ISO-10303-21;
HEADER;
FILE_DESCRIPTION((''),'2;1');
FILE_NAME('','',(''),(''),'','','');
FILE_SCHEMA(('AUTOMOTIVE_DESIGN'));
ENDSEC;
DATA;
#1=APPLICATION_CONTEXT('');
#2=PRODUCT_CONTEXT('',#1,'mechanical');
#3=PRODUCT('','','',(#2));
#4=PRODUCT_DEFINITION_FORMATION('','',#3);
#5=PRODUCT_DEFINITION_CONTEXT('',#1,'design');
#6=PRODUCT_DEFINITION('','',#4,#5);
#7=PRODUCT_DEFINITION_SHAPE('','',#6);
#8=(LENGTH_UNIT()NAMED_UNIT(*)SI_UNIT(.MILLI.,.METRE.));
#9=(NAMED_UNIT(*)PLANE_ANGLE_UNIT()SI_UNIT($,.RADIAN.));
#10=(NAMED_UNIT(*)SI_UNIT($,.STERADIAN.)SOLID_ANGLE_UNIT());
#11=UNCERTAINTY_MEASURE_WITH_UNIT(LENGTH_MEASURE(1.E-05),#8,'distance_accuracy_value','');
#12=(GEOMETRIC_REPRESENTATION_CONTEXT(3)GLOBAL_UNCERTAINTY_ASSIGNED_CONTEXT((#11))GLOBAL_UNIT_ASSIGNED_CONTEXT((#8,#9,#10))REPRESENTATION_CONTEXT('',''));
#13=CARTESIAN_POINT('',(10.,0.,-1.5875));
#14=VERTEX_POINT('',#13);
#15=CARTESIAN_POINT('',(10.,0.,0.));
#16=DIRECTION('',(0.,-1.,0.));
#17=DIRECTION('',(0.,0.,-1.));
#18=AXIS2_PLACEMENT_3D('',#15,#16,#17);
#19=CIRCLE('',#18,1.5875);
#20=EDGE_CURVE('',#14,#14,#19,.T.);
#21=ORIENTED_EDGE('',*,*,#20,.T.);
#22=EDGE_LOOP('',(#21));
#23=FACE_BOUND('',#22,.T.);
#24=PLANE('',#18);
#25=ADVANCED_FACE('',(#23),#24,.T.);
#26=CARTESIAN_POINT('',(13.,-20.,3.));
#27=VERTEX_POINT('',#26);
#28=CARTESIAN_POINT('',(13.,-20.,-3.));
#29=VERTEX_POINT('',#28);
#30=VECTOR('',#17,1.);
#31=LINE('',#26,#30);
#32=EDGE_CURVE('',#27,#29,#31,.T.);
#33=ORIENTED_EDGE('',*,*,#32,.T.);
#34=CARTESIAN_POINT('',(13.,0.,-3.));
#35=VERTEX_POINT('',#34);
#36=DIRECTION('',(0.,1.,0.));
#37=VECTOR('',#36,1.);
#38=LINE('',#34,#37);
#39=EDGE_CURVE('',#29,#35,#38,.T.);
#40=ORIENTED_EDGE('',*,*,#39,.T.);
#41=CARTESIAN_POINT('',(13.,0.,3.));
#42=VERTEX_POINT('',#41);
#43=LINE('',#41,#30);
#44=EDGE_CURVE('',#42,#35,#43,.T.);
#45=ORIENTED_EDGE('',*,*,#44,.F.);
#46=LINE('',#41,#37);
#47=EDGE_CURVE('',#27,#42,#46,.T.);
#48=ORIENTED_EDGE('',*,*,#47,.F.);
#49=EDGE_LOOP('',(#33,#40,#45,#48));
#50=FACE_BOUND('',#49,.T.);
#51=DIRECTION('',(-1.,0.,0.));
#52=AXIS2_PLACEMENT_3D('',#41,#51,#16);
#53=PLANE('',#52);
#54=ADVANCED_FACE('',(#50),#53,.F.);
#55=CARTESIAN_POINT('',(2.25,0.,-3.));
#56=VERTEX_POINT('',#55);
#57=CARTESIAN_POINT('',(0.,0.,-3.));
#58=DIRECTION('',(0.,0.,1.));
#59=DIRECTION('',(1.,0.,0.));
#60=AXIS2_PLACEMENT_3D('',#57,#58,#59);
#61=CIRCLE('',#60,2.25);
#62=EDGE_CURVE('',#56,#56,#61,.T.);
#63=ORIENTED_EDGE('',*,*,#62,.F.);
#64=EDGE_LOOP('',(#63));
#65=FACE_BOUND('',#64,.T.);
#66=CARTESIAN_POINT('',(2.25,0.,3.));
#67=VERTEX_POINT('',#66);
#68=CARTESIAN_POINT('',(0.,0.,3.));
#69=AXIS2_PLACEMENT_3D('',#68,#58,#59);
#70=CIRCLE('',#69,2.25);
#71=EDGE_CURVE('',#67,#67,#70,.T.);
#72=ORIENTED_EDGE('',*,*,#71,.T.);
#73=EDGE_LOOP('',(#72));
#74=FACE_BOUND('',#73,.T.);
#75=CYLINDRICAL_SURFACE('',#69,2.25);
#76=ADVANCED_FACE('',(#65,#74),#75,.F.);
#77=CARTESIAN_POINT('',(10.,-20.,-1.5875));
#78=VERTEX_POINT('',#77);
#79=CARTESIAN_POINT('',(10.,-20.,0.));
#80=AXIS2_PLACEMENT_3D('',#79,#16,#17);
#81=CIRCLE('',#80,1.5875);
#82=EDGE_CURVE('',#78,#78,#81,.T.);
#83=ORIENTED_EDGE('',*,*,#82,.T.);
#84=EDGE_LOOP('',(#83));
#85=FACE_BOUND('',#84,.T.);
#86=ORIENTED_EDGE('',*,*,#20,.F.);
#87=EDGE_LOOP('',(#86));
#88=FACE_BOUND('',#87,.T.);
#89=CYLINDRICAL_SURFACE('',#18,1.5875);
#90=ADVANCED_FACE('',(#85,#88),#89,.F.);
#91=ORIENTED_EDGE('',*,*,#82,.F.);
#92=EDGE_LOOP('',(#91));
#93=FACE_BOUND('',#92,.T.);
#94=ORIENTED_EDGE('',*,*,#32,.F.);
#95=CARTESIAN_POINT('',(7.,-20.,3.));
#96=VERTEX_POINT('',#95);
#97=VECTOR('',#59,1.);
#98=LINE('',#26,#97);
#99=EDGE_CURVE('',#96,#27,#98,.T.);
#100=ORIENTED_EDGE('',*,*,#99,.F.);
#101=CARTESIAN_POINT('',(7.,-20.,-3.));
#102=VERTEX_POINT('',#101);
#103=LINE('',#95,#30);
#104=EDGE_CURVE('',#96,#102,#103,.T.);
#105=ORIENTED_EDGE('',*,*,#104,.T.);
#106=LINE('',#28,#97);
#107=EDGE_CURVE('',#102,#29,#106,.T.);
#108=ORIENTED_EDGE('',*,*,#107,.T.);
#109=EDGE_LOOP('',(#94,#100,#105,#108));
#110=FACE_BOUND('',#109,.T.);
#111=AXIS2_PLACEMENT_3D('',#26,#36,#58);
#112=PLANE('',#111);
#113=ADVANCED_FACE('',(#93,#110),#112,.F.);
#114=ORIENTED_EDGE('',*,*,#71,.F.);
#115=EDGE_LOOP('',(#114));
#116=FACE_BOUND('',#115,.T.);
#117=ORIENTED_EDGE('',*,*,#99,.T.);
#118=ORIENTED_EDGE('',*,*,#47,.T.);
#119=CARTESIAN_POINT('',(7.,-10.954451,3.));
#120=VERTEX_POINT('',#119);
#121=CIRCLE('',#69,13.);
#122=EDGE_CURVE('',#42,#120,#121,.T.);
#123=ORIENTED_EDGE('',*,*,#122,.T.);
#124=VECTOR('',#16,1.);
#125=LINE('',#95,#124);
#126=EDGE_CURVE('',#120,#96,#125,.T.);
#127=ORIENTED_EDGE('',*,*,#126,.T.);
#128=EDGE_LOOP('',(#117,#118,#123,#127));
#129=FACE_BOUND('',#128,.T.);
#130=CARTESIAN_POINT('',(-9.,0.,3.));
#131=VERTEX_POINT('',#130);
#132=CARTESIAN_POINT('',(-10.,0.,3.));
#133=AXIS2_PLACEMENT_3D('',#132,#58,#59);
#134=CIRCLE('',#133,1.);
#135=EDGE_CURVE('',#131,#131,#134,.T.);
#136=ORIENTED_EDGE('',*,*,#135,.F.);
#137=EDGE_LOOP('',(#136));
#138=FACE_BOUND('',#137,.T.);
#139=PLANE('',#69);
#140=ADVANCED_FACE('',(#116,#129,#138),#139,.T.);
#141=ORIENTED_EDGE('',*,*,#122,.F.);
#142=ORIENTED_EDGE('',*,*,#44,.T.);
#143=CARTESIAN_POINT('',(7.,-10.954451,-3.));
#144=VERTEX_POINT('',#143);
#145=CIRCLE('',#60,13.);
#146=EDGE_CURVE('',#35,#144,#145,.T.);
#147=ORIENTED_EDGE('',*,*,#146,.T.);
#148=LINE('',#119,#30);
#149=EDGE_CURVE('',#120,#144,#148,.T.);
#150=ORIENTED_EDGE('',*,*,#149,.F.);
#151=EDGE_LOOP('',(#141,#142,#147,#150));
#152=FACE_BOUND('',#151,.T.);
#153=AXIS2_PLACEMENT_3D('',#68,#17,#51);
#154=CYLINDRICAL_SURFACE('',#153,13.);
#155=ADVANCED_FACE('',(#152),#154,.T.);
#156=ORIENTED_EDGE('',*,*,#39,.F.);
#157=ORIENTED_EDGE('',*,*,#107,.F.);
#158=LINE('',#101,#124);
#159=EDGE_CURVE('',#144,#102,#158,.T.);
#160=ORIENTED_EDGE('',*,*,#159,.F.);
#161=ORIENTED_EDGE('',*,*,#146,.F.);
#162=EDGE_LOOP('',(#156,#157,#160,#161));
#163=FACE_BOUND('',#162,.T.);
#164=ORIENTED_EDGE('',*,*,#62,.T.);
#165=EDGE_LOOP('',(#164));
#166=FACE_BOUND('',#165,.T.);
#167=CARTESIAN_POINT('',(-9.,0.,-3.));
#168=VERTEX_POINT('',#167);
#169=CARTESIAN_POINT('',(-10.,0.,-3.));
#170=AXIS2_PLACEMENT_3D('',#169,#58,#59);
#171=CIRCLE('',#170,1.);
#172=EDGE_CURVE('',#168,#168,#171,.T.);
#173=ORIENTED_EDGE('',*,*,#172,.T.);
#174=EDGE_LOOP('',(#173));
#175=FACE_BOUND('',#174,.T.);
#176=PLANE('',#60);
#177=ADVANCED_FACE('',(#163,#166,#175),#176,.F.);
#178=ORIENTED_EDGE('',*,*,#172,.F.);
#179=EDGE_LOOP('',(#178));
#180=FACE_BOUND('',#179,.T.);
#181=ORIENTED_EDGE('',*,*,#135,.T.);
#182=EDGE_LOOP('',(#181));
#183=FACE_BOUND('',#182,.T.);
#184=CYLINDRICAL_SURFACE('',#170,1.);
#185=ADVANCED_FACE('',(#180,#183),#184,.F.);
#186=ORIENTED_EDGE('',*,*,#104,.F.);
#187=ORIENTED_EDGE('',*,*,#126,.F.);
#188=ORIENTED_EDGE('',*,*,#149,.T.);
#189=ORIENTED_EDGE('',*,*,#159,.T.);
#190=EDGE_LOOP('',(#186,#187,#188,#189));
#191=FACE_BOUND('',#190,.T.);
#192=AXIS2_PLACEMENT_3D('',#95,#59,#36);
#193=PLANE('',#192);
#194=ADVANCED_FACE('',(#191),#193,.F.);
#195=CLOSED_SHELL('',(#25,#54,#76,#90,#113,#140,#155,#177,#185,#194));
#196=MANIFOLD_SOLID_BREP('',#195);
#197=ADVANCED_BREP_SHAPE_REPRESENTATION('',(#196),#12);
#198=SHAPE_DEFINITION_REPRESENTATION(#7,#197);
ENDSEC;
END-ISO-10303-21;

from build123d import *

# Parameters (mm, degrees)
BOSS_EXTRUDE1_DEPTH  = 3
M4_CLEARANCE_HOLE1_D = 4.5
SKETCH5_R            = 1.5875
CUT_EXTRUDE1_DEPTH   = 20
SKETCH7_R            = 1
CUT_EXTRUDE2_DEPTH   = 25.596747752


with BuildPart() as part:
    # Sketch2 → Boss-Extrude1 (new, symmetric)
    with BuildSketch(Plane.XY):
        with BuildLine():
            Line((13, 0), (13, -20))
            Line((13, -20), (7, -20))
            Line((7, -20), (7, -10.95445115))
            ThreePointArc((7, -10.95445115), (-11.401754251, 6.244997998), (13, 0))
        make_face()
    extrude(amount=BOSS_EXTRUDE1_DEPTH, both=True)

    # M4 Clearance Hole1 (through all)
    with Locations(Plane.XY.offset(3)):
        with Locations((0, 0)):
            Hole(M4_CLEARANCE_HOLE1_D / 2)

    # Sketch5 → Cut-Extrude1 (cut)
    with BuildSketch(Plane.XZ.offset(20)):
        with Locations(Location((10, 0, 0), (0, 0, 270))):
            Circle(SKETCH5_R)
    extrude(amount=-CUT_EXTRUDE1_DEPTH, mode=Mode.SUBTRACT)

    # Sketch7 → Cut-Extrude2 (cut, through all)
    with BuildSketch(Plane.XY.offset(3)):
        with Locations((-10, 0)):
            Circle(SKETCH7_R)
    extrude(amount=-CUT_EXTRUDE2_DEPTH, mode=Mode.SUBTRACT)


solid = part.part
